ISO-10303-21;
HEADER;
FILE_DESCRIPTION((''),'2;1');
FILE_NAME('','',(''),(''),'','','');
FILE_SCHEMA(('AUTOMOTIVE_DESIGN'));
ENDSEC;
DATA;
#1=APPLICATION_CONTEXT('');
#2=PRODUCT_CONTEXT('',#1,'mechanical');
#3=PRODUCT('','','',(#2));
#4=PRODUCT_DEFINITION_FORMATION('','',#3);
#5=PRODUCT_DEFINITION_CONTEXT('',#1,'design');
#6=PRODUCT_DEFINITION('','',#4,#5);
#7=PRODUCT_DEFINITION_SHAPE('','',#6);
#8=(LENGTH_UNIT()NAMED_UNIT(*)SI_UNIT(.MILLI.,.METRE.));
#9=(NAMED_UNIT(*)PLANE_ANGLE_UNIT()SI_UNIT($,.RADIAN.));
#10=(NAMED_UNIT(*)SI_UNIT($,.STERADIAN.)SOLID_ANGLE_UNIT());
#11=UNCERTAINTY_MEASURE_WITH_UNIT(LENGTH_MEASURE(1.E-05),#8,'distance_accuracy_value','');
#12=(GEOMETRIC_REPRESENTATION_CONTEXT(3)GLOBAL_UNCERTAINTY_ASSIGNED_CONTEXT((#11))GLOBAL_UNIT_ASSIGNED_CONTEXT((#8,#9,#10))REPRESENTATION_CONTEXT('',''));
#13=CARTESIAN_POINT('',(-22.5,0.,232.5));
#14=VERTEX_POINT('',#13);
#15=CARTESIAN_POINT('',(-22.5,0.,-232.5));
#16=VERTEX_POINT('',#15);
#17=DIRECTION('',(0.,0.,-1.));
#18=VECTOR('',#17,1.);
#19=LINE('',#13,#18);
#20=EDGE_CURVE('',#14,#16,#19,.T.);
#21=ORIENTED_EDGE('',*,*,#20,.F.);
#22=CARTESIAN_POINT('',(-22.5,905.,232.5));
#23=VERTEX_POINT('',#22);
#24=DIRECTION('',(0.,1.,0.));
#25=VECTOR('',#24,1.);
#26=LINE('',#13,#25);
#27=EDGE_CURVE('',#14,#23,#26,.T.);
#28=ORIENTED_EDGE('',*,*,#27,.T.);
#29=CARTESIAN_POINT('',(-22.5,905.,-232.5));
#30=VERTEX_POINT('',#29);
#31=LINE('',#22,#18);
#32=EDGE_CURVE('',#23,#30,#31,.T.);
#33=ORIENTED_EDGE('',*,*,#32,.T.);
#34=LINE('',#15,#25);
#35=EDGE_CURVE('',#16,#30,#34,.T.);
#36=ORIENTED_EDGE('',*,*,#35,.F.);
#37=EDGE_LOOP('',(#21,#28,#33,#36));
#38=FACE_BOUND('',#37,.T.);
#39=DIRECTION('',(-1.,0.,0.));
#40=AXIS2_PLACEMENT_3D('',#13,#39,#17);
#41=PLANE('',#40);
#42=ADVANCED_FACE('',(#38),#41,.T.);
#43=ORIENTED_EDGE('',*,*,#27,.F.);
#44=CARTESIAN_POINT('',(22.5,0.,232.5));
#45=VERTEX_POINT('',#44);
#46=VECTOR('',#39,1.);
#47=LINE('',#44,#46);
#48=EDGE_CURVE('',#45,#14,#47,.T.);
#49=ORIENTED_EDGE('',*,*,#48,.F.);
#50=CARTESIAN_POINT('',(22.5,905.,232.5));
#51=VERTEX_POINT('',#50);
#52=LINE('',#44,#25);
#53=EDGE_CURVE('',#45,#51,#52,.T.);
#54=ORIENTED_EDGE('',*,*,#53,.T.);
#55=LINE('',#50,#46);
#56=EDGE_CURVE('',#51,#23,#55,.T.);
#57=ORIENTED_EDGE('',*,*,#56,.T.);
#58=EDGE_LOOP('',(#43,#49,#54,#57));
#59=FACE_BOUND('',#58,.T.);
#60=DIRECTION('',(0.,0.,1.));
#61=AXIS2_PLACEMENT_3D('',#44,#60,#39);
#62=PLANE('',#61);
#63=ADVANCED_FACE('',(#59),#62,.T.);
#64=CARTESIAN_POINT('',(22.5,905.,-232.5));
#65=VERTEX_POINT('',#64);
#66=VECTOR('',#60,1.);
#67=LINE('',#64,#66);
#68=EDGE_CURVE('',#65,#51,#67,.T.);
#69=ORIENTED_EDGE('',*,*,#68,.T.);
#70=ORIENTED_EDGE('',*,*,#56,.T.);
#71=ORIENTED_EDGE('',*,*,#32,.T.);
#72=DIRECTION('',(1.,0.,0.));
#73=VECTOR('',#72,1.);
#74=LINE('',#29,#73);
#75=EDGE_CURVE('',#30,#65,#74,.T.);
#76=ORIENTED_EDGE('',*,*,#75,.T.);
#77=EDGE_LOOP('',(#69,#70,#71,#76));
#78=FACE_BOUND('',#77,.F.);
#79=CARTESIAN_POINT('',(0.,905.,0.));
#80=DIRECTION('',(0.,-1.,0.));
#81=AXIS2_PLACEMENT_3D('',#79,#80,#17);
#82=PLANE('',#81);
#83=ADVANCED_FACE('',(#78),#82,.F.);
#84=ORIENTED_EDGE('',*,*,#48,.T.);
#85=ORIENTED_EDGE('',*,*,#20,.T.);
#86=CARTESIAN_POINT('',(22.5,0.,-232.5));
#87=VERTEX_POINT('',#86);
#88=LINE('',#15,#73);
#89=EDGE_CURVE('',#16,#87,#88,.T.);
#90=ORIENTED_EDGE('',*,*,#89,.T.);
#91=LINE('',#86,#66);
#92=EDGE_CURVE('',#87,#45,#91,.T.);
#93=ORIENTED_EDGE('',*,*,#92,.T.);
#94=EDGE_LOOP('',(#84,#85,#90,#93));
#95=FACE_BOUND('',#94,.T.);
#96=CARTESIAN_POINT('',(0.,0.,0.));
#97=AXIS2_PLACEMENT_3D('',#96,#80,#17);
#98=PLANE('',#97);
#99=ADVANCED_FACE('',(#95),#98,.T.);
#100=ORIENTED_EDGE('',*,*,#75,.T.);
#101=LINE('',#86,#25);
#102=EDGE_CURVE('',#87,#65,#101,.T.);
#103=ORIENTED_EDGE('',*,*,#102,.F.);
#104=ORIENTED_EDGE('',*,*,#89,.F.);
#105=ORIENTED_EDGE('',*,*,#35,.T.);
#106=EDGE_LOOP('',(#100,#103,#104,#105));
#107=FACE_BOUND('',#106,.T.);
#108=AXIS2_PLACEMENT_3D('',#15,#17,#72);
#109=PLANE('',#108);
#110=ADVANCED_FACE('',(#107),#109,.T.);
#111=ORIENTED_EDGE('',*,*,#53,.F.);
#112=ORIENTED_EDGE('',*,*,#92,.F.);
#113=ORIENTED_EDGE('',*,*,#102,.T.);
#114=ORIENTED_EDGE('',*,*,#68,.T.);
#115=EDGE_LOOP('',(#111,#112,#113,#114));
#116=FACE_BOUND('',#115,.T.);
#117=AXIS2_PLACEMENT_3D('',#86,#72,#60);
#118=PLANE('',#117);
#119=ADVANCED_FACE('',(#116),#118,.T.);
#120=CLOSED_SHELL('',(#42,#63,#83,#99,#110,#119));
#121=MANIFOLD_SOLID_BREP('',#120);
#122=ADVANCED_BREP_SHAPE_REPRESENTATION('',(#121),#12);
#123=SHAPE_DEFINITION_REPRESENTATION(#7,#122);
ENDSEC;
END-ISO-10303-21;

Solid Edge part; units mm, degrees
sketch "Sketch1" plane through (0, 0, 0) normal (0, -1, 0) x (1, 0, 0)
  line L0 (-22.5, -232.5) -> (22.5, -232.5)
  line L1 (22.5, -232.5) -> (22.5, 232.5)
  line L2 (22.5, 232.5) -> (-22.5, 232.5)
  line L3 (-22.5, 232.5) -> (-22.5, -232.5)
extrude "Protrusion1" add sketch "Sketch1" against normal blind 905
